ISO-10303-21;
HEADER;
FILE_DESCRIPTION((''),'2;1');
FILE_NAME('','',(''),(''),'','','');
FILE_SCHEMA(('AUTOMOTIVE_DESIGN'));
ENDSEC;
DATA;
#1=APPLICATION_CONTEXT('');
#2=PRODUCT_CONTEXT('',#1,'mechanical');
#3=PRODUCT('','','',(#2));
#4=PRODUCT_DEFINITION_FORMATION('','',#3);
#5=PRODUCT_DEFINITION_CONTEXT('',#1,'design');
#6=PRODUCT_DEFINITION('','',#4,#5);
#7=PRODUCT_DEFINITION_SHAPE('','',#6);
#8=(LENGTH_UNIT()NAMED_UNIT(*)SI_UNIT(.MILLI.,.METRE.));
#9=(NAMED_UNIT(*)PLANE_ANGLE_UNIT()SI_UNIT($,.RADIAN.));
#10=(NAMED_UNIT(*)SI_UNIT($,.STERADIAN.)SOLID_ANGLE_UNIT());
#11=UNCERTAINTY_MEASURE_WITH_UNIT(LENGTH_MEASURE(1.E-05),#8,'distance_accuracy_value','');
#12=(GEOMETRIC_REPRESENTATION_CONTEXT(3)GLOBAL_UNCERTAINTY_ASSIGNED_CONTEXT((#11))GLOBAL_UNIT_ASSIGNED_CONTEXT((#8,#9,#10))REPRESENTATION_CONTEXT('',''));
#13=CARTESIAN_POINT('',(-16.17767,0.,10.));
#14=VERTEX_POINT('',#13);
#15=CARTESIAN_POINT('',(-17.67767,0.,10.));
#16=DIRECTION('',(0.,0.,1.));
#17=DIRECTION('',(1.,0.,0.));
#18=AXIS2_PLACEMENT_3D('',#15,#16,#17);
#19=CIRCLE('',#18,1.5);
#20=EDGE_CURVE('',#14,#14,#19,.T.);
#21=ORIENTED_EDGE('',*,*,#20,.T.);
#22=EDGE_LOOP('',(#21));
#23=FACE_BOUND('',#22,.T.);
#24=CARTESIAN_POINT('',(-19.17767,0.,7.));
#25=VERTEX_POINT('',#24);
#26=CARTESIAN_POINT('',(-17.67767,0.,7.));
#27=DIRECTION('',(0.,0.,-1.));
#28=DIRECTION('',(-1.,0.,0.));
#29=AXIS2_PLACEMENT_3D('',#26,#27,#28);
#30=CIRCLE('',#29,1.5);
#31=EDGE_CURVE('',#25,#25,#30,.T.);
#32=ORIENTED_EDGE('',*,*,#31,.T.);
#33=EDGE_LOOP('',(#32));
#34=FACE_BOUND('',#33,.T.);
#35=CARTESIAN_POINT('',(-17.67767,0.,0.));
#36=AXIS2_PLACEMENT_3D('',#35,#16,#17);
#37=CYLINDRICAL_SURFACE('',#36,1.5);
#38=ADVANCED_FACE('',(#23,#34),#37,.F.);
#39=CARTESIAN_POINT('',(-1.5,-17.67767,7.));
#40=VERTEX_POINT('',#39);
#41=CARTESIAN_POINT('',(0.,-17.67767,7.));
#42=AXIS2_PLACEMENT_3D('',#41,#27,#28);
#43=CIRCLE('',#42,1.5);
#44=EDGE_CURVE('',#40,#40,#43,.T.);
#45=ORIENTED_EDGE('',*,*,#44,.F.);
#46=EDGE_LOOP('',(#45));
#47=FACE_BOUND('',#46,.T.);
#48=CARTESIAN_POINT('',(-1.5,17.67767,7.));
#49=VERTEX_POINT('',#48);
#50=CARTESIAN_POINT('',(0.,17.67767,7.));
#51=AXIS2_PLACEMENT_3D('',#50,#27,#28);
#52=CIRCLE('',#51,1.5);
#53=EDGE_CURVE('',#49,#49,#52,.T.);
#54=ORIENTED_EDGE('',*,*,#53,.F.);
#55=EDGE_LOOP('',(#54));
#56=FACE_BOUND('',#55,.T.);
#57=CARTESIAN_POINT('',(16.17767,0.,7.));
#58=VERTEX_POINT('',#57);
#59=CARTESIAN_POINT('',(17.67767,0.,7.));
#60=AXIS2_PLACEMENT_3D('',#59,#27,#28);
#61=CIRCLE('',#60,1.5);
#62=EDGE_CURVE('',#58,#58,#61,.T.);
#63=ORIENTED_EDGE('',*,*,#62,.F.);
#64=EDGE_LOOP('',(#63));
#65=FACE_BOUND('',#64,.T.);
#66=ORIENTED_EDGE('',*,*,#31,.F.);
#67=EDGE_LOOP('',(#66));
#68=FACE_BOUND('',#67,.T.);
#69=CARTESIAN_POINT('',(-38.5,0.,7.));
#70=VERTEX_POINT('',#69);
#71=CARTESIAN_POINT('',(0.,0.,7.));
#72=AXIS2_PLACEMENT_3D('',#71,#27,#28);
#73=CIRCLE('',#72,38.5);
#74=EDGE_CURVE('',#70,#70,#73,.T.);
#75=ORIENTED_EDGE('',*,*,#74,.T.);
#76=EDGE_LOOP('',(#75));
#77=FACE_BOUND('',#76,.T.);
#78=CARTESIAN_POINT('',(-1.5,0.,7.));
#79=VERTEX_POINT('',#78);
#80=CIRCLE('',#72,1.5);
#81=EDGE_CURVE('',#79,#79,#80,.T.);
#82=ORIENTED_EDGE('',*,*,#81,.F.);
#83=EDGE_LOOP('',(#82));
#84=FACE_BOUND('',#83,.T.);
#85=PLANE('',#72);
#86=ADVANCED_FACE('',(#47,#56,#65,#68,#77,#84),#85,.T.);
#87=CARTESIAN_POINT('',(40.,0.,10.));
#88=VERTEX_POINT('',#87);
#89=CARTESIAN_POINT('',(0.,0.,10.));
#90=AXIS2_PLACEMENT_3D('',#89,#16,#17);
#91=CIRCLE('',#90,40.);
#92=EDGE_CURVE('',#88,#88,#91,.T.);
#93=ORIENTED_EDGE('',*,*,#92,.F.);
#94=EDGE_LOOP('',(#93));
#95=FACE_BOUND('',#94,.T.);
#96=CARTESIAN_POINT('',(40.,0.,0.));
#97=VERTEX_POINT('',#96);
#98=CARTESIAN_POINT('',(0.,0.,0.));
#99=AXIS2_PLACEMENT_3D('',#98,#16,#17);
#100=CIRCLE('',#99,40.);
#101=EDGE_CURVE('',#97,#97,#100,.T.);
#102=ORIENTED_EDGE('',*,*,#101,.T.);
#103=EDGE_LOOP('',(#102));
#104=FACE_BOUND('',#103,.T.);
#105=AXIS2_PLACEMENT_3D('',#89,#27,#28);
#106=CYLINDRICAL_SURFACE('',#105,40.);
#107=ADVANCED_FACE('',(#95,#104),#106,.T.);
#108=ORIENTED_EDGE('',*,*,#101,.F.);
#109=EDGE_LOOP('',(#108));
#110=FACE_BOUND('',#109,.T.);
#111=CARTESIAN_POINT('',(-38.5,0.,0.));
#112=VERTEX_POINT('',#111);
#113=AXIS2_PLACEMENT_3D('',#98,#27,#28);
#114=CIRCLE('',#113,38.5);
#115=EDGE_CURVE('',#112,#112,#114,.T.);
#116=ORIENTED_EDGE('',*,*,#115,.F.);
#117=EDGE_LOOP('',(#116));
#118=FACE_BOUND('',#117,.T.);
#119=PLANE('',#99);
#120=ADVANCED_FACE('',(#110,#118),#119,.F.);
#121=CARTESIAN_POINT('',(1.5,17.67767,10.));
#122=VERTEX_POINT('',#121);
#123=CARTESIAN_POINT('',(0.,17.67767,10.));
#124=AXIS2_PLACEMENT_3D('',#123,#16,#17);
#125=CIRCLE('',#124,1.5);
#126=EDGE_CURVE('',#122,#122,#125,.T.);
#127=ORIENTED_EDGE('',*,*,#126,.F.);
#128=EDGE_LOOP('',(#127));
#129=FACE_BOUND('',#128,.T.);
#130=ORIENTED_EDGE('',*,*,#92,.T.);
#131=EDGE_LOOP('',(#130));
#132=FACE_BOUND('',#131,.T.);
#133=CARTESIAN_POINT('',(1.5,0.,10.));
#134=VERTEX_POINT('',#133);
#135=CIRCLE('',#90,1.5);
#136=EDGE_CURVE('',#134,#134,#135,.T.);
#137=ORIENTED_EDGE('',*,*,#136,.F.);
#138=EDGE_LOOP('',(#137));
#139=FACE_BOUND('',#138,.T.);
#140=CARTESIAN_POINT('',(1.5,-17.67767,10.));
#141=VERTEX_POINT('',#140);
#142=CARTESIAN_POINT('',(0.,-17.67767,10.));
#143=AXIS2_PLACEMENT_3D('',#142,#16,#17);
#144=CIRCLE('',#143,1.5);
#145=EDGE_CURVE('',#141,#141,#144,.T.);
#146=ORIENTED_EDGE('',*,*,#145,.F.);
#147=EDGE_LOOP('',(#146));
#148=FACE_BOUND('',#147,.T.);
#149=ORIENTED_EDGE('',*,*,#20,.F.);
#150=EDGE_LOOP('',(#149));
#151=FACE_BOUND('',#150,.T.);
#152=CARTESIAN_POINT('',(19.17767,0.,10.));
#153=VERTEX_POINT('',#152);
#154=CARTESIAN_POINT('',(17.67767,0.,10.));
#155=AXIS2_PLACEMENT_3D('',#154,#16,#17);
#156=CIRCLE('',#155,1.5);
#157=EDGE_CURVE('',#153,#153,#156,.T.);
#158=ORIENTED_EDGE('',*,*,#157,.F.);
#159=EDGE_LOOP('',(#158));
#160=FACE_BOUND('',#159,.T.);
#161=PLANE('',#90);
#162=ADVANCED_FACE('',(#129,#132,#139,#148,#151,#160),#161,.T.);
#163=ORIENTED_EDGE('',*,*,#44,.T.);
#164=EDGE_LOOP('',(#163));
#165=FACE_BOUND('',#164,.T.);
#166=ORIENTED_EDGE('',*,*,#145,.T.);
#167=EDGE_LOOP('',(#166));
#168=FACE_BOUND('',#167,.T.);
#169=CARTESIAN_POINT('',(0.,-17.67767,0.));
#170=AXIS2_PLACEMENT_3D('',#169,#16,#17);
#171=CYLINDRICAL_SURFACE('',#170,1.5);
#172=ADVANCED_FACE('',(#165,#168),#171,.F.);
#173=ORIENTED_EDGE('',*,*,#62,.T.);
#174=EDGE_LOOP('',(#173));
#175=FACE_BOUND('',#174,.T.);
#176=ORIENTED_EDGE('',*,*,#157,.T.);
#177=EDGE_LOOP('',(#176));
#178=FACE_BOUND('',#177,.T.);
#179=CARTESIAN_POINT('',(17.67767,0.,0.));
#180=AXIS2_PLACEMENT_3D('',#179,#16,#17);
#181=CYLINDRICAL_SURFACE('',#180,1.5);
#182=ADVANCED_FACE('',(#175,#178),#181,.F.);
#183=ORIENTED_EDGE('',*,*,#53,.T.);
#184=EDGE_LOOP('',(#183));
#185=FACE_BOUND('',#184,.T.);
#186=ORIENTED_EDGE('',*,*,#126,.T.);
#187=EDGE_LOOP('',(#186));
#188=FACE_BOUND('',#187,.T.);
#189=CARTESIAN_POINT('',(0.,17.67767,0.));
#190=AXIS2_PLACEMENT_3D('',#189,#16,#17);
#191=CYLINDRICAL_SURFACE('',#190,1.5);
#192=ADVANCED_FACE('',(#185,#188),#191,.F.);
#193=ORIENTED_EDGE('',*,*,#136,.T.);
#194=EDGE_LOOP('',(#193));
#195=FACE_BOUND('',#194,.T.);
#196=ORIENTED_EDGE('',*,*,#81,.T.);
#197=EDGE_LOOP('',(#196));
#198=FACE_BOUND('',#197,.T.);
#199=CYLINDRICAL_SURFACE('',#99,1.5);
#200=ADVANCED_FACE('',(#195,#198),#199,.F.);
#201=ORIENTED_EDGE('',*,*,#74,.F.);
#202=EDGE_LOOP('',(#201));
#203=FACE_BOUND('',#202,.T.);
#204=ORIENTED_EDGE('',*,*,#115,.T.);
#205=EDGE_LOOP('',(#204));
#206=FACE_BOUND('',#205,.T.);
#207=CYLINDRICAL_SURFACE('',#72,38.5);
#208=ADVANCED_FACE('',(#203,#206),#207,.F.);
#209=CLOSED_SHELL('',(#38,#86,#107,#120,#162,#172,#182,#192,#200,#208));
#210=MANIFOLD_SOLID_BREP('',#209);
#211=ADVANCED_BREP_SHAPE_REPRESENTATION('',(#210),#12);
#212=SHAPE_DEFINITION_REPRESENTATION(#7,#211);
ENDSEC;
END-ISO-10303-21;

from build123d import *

# Parameters (mm, degrees)
SKETCH_1_R          = 40
EXTRUDE_1_DEPTH     = 10
SKETCH_2_R          = 38.5
CUT_EXTRUDE_1_DEPTH = 7
SKETCH_4_R          = 1.5
CUT_EXTRUDE_2_DEPTH = 58.445626465


with BuildPart() as part:
    # 草图1 → 凸台-拉伸1 (new body)
    with BuildSketch(Plane.XY):
        Circle(SKETCH_1_R)
    extrude(amount=EXTRUDE_1_DEPTH)

    # 草图2 → 切除-拉伸1 (cut)
    with BuildSketch(Plane(origin=(0, 0, 0), x_dir=(-1, 0, 0), z_dir=(0, 0, -1))):
        Circle(SKETCH_2_R)
    extrude(amount=-CUT_EXTRUDE_1_DEPTH, mode=Mode.SUBTRACT)

    # 草图4 → 切除-拉伸2 (cut, through all)
    with BuildSketch(Plane.XY.offset(10)):
        with Locations((0, 17.67766953)):
            Circle(SKETCH_4_R)
        with Locations((17.67766953, 0)):
            Circle(SKETCH_4_R)
        with Locations((0, -17.67766953)):
            Circle(SKETCH_4_R)
        with Locations((-17.67766953, 0)):
            Circle(SKETCH_4_R)
        Circle(SKETCH_4_R)
    extrude(amount=-CUT_EXTRUDE_2_DEPTH, mode=Mode.SUBTRACT)


solid = part.part
